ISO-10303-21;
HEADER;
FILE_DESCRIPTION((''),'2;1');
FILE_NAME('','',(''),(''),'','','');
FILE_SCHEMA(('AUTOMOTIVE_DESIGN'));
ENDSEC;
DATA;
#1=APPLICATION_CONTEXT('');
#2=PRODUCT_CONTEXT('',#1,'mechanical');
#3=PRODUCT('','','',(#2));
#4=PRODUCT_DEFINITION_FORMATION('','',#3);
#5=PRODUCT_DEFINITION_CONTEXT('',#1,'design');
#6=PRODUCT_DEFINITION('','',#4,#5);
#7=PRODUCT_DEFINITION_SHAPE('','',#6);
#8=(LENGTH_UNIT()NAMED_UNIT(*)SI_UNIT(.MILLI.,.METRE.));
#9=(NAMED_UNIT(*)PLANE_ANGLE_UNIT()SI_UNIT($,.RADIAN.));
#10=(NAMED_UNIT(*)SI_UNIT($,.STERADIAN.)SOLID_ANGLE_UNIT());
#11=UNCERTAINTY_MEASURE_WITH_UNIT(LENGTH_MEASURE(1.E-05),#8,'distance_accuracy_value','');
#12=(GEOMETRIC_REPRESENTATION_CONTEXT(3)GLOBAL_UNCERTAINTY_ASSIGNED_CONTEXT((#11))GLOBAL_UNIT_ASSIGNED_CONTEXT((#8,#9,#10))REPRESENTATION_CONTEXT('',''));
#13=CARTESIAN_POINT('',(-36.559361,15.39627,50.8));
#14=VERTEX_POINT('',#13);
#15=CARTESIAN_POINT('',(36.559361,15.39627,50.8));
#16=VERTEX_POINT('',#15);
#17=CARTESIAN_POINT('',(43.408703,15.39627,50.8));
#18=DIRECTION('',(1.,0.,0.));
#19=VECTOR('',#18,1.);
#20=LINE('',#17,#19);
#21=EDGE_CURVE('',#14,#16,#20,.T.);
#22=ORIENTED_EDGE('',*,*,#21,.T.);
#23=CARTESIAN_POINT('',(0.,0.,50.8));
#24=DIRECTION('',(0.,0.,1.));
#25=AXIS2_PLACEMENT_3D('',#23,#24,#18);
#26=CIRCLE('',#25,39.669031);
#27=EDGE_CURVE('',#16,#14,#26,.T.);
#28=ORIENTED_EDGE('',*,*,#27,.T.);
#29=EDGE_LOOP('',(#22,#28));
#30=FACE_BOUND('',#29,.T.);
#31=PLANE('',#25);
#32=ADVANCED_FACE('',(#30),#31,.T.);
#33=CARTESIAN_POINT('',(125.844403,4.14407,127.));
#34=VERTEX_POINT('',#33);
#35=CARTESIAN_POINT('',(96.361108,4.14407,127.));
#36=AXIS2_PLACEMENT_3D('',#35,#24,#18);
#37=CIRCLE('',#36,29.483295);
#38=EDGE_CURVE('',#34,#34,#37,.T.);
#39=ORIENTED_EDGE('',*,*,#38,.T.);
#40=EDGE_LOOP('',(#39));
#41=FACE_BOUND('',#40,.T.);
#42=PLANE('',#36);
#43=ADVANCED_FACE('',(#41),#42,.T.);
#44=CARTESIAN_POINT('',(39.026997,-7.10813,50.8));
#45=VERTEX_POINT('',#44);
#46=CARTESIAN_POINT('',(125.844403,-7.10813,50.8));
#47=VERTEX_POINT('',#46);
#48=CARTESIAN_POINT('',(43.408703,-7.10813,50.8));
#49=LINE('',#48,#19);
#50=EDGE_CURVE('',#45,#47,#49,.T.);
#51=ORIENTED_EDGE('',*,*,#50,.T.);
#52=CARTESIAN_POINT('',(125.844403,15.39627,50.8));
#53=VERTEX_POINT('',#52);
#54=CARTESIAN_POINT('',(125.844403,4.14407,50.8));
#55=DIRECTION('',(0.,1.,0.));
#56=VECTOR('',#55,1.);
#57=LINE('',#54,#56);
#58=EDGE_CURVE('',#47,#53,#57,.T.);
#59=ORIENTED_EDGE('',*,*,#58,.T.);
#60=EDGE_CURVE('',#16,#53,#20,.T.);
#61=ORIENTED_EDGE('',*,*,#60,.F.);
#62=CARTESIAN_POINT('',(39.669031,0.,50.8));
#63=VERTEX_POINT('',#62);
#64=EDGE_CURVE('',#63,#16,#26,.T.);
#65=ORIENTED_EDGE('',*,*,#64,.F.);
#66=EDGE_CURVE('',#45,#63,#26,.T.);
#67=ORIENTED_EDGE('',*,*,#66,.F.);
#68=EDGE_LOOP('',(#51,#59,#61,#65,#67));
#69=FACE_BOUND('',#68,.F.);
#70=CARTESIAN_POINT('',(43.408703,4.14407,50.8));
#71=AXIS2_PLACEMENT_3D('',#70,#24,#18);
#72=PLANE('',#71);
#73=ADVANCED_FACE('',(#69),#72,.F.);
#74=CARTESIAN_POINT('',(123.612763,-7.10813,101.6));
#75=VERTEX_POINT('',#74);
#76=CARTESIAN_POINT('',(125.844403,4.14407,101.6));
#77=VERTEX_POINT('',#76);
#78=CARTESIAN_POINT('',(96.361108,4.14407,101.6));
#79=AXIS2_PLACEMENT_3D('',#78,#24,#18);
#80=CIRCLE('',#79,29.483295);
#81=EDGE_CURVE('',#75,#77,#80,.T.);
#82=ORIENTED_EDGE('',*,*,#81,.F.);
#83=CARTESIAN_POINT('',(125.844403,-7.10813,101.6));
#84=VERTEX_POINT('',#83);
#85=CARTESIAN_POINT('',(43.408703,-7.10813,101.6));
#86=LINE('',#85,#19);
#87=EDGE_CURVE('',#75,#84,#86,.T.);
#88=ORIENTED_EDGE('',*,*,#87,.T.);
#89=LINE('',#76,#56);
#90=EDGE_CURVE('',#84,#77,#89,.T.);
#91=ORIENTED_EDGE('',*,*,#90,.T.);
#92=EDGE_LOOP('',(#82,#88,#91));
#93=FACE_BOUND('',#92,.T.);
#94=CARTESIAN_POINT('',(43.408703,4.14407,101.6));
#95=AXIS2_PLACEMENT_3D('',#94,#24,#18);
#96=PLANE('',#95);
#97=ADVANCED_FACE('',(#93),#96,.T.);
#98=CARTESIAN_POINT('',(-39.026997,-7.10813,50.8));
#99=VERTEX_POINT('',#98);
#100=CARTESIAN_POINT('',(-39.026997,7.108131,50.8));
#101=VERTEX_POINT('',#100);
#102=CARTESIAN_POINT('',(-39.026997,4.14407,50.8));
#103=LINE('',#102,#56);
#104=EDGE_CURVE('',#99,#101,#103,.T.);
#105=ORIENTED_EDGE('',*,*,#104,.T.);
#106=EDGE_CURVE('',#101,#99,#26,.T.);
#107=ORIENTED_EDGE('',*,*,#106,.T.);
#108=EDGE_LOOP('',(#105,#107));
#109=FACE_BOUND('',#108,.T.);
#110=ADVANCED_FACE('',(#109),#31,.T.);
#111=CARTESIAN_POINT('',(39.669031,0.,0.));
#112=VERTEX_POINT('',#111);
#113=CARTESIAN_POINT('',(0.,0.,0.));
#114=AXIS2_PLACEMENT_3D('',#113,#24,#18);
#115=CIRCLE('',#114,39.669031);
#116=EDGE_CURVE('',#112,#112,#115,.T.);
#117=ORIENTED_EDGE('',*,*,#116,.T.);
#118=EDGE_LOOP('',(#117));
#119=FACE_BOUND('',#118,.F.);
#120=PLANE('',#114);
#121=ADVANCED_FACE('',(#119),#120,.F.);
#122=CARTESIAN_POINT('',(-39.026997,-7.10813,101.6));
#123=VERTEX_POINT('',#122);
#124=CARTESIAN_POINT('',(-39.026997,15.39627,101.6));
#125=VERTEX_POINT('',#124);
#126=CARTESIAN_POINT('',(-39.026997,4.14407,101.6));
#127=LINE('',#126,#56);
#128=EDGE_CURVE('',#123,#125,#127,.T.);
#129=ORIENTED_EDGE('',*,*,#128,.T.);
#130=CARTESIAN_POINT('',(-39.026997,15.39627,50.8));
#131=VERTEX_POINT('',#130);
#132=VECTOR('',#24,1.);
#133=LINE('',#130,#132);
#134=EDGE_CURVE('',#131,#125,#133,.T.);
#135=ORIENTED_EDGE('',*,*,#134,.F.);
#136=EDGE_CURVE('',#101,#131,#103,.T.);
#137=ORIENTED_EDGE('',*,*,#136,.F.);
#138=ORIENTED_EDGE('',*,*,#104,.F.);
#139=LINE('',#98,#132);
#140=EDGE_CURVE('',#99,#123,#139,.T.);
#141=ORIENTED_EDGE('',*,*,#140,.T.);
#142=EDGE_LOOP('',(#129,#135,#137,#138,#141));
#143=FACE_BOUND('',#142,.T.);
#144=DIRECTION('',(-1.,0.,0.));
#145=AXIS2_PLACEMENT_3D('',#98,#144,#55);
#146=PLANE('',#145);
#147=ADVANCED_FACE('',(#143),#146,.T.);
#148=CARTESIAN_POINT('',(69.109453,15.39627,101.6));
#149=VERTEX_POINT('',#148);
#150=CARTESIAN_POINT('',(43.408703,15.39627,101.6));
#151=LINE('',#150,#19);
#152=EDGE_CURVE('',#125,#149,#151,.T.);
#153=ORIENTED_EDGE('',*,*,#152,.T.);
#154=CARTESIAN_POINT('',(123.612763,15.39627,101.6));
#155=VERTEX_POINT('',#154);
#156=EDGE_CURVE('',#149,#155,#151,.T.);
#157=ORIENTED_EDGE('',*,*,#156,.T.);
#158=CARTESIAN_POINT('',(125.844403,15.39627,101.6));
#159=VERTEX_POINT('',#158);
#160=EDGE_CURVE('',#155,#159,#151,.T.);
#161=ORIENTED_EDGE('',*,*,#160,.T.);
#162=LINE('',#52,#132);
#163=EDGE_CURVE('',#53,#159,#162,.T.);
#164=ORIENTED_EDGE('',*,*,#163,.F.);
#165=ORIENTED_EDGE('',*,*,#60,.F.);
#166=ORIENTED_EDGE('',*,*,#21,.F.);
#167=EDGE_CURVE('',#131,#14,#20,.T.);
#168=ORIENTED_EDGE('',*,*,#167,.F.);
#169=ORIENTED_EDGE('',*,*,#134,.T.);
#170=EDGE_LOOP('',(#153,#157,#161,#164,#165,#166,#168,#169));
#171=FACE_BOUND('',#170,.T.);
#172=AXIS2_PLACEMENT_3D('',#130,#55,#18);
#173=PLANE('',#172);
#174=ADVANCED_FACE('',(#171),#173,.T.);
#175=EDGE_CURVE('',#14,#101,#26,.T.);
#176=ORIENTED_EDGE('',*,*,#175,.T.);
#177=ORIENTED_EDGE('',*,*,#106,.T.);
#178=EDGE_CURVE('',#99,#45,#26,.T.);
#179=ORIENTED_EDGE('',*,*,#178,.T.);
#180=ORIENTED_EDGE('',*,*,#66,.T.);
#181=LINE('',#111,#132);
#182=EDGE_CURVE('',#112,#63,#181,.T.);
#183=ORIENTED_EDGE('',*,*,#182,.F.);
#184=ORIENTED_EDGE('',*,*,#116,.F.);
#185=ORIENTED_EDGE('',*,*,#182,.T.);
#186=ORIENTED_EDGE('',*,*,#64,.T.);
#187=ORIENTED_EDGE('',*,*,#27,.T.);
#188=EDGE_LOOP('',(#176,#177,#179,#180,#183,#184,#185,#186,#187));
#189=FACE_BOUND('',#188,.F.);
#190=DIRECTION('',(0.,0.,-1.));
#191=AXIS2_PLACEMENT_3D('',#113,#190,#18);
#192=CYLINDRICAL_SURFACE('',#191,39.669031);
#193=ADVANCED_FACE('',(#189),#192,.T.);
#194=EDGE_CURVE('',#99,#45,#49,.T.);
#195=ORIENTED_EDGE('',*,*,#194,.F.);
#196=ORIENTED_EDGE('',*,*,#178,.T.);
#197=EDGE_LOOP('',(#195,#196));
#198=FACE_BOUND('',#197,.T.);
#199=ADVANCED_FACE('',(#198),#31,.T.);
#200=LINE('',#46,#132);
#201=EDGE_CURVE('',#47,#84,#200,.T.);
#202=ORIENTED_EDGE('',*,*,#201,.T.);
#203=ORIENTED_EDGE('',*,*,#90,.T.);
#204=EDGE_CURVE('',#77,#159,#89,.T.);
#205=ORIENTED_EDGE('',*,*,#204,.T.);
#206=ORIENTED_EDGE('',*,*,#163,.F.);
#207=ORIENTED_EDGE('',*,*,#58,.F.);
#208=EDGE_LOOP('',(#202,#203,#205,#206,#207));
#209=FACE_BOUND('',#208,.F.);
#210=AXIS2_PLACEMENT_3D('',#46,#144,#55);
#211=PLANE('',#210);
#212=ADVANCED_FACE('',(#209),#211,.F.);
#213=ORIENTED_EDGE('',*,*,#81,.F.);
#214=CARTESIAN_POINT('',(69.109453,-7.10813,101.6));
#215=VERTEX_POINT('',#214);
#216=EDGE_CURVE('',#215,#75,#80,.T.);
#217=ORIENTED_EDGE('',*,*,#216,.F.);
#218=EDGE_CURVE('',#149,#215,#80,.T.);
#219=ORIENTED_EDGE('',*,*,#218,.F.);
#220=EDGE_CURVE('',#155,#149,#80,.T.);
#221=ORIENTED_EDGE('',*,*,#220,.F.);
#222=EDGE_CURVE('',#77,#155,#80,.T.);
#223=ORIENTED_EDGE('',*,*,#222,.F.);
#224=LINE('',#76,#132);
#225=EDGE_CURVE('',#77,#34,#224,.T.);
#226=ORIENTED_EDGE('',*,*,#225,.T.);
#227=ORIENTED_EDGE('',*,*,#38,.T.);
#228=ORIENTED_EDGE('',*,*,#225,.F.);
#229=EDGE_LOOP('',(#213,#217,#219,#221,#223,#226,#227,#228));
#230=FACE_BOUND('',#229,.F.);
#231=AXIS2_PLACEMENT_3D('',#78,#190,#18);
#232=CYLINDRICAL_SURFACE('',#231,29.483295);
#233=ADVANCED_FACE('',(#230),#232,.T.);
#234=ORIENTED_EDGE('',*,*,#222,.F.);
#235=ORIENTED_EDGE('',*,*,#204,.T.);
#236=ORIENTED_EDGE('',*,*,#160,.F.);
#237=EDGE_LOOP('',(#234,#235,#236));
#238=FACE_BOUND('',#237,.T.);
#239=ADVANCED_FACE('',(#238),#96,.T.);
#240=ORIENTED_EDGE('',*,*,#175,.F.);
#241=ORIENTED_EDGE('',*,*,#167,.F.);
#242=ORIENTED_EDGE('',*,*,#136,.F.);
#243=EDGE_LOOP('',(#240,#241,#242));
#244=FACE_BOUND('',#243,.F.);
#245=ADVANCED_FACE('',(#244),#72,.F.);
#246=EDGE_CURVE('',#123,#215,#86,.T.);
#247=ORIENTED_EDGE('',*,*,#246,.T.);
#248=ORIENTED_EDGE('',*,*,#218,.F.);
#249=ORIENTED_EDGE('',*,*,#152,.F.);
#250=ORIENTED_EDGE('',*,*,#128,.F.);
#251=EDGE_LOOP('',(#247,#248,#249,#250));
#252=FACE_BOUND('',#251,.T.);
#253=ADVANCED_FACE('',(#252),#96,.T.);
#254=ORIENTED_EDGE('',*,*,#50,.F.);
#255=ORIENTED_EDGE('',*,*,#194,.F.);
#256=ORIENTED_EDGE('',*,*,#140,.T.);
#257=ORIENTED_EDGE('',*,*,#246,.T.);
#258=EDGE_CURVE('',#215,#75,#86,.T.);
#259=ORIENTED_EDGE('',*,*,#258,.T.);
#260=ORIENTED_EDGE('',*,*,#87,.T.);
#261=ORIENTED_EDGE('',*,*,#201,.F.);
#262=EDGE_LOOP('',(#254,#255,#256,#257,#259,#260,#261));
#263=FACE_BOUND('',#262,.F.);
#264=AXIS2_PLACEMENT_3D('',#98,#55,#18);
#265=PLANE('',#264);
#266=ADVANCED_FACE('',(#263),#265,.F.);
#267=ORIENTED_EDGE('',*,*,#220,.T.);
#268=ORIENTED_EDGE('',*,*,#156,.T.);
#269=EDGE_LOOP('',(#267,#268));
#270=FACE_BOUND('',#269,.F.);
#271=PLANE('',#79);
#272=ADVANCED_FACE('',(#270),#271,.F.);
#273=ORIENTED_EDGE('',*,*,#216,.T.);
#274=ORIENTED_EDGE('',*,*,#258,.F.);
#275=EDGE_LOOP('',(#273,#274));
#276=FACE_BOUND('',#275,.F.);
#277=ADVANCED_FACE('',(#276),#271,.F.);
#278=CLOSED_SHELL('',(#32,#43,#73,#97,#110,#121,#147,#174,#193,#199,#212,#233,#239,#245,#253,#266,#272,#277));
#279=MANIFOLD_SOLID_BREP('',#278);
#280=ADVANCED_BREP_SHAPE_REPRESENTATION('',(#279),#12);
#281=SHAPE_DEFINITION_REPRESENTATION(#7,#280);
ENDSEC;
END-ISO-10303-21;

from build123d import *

# Parameters (mm, degrees)
F0_R     = 39.669031
F1_DEPTH = 50.8
F2_W     = 164.8714
F2_H     = 22.5044
F3_DEPTH = 50.8
F4_R     = 29.483295
F5_DEPTH = 25.4


with BuildPart() as f1:
    # F0 (on Top) → F1 (new body)
    with BuildSketch(Plane.XY):
        Circle(F0_R)
    extrude(amount=F1_DEPTH)

    # F2 (on face) → F3 (join)
    with BuildSketch(Plane.XY.offset(50.8)):
        with Locations((43.408703, 4.14407)):
            Rectangle(F2_W, F2_H)
    extrude(amount=F3_DEPTH)

    # F4 (on face) → F5 (join)
    with BuildSketch(Plane.XY.offset(101.6)):
        with Locations((96.361108, 4.14407)):
            Circle(F4_R)
    extrude(amount=F5_DEPTH)


solid = f1.part
